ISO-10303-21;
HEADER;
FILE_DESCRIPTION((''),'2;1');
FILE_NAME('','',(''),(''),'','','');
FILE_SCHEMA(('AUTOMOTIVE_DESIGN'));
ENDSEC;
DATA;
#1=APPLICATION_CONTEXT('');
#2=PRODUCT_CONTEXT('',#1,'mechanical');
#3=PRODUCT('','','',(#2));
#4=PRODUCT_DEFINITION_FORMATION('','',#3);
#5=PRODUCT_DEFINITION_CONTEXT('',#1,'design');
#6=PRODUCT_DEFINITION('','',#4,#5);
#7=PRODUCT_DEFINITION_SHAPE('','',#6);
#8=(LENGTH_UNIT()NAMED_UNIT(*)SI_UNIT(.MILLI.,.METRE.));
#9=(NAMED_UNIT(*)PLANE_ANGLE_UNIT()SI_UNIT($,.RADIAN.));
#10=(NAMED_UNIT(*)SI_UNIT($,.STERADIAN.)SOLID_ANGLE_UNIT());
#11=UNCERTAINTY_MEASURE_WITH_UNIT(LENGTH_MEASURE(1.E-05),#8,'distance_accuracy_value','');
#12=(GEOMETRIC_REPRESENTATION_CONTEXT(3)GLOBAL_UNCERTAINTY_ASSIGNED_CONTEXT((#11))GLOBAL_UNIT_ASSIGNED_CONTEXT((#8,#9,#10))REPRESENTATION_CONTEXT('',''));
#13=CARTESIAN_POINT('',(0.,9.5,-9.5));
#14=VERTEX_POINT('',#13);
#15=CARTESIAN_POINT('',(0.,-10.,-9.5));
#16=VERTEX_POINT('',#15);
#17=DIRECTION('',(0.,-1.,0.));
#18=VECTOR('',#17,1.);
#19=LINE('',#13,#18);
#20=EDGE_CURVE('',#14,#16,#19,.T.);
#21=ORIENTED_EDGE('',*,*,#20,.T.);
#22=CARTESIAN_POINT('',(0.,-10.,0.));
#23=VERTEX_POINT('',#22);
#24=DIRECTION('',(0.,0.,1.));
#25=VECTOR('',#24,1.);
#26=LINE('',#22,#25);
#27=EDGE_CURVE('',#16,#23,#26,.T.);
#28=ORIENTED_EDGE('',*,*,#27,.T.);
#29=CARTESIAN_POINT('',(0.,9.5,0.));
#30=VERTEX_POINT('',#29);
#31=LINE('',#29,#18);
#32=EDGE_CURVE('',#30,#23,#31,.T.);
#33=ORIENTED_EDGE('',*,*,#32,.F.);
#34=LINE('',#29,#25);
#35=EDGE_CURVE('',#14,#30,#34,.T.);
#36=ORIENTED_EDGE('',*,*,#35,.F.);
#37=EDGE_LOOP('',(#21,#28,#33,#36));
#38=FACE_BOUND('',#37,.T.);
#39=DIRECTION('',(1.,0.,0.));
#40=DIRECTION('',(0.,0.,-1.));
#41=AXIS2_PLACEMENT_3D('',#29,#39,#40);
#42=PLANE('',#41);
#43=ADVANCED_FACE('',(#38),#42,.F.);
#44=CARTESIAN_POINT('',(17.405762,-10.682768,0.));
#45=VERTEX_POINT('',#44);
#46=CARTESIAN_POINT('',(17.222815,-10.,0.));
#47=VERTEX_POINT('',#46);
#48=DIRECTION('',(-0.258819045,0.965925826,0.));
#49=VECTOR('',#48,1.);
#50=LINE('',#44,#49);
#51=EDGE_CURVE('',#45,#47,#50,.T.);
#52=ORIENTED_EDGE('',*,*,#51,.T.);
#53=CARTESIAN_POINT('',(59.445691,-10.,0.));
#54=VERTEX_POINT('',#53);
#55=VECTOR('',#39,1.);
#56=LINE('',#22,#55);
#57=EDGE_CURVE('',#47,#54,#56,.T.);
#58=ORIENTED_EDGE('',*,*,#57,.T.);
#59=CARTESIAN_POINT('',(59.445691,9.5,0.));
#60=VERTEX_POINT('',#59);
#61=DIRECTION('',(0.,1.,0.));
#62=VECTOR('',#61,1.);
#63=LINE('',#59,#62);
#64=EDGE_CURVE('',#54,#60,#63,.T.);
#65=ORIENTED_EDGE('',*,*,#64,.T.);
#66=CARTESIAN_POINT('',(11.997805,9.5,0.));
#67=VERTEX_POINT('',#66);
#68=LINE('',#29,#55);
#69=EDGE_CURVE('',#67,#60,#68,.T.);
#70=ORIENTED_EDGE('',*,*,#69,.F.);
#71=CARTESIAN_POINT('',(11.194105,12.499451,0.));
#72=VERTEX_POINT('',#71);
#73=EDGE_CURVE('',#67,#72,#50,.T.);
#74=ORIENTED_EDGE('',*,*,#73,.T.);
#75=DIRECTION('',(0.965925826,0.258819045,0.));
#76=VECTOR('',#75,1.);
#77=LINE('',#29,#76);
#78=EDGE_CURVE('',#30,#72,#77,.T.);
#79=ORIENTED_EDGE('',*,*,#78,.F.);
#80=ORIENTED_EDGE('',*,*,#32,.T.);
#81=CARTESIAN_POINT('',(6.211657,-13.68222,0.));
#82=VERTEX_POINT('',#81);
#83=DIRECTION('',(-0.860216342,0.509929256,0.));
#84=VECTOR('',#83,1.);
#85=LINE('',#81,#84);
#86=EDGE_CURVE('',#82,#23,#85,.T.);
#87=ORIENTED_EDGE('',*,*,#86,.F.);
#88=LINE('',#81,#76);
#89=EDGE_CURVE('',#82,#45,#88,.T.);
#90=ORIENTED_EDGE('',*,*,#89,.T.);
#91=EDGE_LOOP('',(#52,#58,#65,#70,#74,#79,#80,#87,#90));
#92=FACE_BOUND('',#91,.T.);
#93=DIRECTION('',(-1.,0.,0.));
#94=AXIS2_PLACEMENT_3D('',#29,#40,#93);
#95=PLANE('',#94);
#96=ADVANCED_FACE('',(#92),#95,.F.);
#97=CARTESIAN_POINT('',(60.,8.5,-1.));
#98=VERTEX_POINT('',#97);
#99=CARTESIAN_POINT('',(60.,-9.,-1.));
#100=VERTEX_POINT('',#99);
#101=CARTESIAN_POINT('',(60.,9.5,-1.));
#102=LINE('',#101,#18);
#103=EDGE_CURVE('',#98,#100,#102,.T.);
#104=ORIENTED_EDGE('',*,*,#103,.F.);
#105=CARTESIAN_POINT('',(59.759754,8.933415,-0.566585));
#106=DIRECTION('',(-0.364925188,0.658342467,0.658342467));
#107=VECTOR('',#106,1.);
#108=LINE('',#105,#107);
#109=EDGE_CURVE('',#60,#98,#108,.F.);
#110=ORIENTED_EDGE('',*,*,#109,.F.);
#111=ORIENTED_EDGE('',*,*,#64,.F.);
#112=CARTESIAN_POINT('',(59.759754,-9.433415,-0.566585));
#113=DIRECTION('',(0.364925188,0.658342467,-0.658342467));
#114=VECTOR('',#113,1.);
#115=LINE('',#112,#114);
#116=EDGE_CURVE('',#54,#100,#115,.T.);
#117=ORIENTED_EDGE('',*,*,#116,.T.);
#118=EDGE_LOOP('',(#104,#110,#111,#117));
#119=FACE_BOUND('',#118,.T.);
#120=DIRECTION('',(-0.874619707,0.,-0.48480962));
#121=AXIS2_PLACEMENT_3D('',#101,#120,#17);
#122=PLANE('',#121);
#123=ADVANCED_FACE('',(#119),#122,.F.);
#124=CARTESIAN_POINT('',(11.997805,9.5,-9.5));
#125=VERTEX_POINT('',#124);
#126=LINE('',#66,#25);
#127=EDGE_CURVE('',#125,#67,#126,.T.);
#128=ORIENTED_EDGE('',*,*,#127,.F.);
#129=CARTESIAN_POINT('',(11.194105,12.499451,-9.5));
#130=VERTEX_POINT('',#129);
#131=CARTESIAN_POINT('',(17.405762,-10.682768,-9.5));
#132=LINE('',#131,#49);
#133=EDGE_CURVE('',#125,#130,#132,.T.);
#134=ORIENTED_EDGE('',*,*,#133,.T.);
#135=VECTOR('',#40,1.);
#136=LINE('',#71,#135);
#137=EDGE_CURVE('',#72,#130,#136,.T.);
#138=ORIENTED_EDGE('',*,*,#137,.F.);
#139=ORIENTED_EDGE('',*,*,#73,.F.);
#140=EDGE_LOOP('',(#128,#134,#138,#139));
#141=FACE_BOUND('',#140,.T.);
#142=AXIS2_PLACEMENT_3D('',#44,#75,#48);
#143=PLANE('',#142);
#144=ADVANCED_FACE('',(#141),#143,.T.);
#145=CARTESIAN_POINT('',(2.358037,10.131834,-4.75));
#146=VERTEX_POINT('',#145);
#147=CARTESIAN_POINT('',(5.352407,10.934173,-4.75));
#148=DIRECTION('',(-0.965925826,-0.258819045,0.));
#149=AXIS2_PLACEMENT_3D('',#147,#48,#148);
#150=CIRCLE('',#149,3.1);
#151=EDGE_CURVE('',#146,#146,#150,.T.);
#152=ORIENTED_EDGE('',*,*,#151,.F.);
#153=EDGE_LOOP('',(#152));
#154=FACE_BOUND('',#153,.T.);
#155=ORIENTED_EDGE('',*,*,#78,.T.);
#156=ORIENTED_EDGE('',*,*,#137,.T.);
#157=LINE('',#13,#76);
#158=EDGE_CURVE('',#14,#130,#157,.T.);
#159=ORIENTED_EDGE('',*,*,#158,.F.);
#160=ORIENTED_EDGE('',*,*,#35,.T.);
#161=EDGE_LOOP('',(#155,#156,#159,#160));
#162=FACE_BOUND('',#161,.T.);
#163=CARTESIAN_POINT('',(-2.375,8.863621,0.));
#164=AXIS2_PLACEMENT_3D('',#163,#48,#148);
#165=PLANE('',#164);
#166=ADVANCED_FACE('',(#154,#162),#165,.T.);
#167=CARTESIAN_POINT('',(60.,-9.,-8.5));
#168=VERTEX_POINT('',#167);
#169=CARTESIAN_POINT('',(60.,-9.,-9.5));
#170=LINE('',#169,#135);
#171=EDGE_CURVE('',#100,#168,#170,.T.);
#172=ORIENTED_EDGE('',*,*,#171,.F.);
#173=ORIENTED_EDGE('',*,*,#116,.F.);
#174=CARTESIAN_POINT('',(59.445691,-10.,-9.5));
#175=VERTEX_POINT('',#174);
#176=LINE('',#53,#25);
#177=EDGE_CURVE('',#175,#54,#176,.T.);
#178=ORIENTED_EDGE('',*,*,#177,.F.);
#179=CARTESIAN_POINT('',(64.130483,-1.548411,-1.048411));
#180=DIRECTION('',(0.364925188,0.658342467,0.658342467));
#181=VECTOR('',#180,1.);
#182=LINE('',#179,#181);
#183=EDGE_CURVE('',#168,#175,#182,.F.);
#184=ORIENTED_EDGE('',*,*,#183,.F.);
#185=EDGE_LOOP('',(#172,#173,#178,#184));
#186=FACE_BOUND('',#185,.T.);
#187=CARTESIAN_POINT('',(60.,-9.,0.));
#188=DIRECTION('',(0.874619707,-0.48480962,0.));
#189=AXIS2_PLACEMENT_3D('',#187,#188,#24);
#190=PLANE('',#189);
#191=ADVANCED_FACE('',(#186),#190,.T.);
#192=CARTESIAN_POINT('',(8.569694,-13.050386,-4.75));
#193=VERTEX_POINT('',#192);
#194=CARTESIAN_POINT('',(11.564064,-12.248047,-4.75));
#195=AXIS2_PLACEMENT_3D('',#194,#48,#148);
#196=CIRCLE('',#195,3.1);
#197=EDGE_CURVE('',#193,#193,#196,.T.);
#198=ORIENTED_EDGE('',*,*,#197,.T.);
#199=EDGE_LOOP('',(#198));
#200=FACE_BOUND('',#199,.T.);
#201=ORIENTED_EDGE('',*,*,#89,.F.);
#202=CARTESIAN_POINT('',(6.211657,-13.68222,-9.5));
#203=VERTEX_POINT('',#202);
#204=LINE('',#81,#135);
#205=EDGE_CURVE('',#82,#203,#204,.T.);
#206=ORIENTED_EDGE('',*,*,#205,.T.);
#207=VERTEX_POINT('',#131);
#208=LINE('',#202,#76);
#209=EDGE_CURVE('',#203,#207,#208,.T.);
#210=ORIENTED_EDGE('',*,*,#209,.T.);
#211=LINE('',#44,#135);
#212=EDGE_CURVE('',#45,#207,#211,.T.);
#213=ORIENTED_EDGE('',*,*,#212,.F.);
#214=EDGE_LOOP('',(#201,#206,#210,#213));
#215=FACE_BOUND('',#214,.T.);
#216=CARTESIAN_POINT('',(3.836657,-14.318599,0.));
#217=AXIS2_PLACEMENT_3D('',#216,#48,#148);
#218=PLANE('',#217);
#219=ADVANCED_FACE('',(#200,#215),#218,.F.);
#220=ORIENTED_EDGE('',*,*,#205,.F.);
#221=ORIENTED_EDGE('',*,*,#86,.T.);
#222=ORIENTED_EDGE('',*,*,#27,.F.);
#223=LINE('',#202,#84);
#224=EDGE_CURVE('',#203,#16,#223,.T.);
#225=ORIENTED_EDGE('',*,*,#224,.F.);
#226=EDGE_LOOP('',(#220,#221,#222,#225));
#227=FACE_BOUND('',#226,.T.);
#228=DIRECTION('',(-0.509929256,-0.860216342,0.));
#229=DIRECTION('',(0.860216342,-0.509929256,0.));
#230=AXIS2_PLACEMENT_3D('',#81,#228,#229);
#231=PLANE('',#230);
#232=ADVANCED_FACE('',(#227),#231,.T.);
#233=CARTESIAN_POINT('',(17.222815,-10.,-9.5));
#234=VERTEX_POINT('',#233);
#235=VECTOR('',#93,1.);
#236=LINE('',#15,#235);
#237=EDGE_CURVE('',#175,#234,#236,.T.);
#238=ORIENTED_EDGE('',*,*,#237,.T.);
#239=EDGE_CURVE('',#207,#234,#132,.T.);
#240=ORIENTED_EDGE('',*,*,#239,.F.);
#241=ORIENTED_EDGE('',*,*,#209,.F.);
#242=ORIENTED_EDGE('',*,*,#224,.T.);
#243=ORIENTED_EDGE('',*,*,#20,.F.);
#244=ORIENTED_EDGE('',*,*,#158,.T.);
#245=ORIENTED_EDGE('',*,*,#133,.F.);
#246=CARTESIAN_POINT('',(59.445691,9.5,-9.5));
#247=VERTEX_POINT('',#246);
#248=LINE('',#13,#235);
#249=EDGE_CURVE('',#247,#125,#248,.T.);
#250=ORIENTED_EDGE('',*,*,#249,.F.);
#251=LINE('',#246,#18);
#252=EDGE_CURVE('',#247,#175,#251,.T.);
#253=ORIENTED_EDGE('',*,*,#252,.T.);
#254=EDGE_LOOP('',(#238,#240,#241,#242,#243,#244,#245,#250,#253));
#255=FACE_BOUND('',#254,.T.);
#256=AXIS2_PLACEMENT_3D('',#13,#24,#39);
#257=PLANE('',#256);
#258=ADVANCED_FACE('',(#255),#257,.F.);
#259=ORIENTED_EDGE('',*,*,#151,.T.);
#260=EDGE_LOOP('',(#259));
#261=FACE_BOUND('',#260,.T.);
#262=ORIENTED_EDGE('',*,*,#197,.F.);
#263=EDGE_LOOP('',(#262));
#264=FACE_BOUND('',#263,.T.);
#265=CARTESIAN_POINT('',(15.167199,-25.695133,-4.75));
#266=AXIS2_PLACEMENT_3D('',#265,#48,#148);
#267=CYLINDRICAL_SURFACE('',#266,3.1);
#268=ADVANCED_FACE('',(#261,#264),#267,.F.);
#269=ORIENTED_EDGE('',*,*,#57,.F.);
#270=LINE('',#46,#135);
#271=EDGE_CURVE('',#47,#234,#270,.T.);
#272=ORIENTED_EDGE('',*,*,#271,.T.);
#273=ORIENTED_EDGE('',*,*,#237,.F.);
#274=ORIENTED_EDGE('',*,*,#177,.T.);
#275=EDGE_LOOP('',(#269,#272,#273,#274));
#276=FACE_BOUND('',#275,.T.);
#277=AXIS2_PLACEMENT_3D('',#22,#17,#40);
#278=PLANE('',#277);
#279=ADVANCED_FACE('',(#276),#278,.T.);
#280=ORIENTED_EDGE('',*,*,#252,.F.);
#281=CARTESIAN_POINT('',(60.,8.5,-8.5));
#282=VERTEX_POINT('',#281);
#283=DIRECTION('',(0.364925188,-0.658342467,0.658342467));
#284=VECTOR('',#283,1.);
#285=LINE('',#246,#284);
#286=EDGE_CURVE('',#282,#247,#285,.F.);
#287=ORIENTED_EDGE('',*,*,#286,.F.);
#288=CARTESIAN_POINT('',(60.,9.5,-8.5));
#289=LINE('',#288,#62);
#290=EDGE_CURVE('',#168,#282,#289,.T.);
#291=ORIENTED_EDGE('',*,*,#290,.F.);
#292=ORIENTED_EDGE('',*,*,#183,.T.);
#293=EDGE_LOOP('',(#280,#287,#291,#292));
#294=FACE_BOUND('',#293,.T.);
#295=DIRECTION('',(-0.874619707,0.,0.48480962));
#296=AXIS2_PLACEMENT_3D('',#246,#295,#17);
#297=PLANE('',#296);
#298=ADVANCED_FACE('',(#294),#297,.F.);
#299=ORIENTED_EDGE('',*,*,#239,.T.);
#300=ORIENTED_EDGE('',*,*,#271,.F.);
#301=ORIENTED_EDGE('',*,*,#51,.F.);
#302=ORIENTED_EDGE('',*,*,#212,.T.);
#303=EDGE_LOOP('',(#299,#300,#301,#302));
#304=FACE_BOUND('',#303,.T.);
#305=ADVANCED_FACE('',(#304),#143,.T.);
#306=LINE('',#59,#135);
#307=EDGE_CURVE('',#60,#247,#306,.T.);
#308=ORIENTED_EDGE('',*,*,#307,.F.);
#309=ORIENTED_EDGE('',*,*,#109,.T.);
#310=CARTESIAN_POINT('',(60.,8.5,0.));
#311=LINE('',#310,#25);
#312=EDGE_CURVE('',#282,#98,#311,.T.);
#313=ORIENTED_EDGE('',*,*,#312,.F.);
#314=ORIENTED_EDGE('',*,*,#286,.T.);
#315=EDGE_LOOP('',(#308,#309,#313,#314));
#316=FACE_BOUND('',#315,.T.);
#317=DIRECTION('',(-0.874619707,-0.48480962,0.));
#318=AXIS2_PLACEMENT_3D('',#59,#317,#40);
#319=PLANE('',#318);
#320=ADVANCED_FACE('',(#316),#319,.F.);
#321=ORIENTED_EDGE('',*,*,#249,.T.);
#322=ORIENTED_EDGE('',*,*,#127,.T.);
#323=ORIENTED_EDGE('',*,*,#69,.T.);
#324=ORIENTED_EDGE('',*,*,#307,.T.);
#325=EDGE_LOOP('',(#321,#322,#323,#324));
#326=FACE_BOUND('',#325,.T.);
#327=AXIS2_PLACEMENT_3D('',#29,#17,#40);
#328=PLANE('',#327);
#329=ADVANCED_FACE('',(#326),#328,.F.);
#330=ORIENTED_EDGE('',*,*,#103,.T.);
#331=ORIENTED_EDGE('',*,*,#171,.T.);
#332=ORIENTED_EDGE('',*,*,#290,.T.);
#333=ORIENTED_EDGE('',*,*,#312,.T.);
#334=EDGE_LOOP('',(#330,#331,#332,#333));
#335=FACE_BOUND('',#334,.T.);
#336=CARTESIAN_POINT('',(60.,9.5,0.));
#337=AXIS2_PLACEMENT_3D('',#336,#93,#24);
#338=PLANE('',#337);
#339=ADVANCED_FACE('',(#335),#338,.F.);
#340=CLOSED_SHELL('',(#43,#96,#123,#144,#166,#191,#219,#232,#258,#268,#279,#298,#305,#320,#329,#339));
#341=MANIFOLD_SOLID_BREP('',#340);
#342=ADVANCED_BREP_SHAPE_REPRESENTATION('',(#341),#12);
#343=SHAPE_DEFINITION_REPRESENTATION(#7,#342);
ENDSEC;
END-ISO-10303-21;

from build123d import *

# Parameters (mm, degrees)
SKETCH1_W           = 60
SKETCH1_H           = 9.5
BOSS_EXTRUDE1_DEPTH = 9.5
SKETCH4_W           = 11.588990026
SKETCH4_H           = 9.5
BOSS_EXTRUDE2_DEPTH = 24
SKETCH1_2_W         = 60
SKETCH1_2_H         = 9.5
BOSS_EXTRUDE3_DEPTH = 10
SKETCH7_R           = 3.1
CUT_EXTRUDE2_DEPTH  = 68.001533929
BOSS_EXTRUDE7_DEPTH = 9.5
CHAMFER1_SIZE       = 1
CHAMFER1_SIZE2      = 0.554309051


with BuildPart() as part:
    # Sketch1 → Boss-Extrude1 (new body)
    with BuildSketch(Plane(origin=(0, 0, 0), x_dir=(1, 0, 0), z_dir=(0, 1, 0))):
        with Locations((30, 4.75)):
            Rectangle(SKETCH1_W, SKETCH1_H)
    extrude(amount=BOSS_EXTRUDE1_DEPTH)

    # Sketch4 → Boss-Extrude2 (add)
    with BuildSketch(Plane(origin=(-2.375, 8.863620668, 0), x_dir=(0.9659258262890679, 0.2588190451025225, 0), z_dir=(-0.2588190451025225, 0.9659258262890679, 0))):
        with Locations((8.253275941, 4.75)):
            Rectangle(SKETCH4_W, SKETCH4_H)
    extrude(amount=-BOSS_EXTRUDE2_DEPTH)

    # Sketch1<2> → Boss-Extrude3 (add)
    with BuildSketch(Plane(origin=(0, 0, 0), x_dir=(1, 0, 0), z_dir=(0, 1, 0))):
        with Locations((30, 4.75)):
            Rectangle(SKETCH1_2_W, SKETCH1_2_H)
    extrude(amount=-BOSS_EXTRUDE3_DEPTH)

    # Sketch7 → Cut-Extrude2 (cut, through all)
    with BuildSketch(Plane(origin=(-2.375, 8.863620668, 0), x_dir=(0.9659258262890679, 0.25881904510252246, 0), z_dir=(-0.25881904510252246, 0.9659258262890679, 0))):
        with Locations((8, 4.75)):
            Circle(SKETCH7_R)
    extrude(amount=-CUT_EXTRUDE2_DEPTH, mode=Mode.SUBTRACT)

    # Sketch13 → Boss-Extrude7 (add)
    with BuildSketch(Plane(origin=(0, 0, -9.5), x_dir=(-1, 0, 0), z_dir=(0, 0, -1))):
        Polygon((-6.211657082, -13.682219831), (0, -10), (-5.225009252, -10), align=None)
    extrude(amount=-BOSS_EXTRUDE7_DEPTH)

    # Chamfer1
    chamfer1_edges = [part.edges().sort_by_distance(p)[0] for p in [
        (60, 9.5, -4.75),
        (60, -0.25, 0),
        (60, -10, -4.75),
        (60, -0.25, -9.5),
    ]]
    chamfer1_side = [part.faces().sort_by_distance(p)[0] for p in [
        (60, -0.25, -4.75),
    ]]
    chamfer(chamfer1_edges, length=CHAMFER1_SIZE, length2=CHAMFER1_SIZE2, reference=chamfer1_side[0])


solid = part.part
